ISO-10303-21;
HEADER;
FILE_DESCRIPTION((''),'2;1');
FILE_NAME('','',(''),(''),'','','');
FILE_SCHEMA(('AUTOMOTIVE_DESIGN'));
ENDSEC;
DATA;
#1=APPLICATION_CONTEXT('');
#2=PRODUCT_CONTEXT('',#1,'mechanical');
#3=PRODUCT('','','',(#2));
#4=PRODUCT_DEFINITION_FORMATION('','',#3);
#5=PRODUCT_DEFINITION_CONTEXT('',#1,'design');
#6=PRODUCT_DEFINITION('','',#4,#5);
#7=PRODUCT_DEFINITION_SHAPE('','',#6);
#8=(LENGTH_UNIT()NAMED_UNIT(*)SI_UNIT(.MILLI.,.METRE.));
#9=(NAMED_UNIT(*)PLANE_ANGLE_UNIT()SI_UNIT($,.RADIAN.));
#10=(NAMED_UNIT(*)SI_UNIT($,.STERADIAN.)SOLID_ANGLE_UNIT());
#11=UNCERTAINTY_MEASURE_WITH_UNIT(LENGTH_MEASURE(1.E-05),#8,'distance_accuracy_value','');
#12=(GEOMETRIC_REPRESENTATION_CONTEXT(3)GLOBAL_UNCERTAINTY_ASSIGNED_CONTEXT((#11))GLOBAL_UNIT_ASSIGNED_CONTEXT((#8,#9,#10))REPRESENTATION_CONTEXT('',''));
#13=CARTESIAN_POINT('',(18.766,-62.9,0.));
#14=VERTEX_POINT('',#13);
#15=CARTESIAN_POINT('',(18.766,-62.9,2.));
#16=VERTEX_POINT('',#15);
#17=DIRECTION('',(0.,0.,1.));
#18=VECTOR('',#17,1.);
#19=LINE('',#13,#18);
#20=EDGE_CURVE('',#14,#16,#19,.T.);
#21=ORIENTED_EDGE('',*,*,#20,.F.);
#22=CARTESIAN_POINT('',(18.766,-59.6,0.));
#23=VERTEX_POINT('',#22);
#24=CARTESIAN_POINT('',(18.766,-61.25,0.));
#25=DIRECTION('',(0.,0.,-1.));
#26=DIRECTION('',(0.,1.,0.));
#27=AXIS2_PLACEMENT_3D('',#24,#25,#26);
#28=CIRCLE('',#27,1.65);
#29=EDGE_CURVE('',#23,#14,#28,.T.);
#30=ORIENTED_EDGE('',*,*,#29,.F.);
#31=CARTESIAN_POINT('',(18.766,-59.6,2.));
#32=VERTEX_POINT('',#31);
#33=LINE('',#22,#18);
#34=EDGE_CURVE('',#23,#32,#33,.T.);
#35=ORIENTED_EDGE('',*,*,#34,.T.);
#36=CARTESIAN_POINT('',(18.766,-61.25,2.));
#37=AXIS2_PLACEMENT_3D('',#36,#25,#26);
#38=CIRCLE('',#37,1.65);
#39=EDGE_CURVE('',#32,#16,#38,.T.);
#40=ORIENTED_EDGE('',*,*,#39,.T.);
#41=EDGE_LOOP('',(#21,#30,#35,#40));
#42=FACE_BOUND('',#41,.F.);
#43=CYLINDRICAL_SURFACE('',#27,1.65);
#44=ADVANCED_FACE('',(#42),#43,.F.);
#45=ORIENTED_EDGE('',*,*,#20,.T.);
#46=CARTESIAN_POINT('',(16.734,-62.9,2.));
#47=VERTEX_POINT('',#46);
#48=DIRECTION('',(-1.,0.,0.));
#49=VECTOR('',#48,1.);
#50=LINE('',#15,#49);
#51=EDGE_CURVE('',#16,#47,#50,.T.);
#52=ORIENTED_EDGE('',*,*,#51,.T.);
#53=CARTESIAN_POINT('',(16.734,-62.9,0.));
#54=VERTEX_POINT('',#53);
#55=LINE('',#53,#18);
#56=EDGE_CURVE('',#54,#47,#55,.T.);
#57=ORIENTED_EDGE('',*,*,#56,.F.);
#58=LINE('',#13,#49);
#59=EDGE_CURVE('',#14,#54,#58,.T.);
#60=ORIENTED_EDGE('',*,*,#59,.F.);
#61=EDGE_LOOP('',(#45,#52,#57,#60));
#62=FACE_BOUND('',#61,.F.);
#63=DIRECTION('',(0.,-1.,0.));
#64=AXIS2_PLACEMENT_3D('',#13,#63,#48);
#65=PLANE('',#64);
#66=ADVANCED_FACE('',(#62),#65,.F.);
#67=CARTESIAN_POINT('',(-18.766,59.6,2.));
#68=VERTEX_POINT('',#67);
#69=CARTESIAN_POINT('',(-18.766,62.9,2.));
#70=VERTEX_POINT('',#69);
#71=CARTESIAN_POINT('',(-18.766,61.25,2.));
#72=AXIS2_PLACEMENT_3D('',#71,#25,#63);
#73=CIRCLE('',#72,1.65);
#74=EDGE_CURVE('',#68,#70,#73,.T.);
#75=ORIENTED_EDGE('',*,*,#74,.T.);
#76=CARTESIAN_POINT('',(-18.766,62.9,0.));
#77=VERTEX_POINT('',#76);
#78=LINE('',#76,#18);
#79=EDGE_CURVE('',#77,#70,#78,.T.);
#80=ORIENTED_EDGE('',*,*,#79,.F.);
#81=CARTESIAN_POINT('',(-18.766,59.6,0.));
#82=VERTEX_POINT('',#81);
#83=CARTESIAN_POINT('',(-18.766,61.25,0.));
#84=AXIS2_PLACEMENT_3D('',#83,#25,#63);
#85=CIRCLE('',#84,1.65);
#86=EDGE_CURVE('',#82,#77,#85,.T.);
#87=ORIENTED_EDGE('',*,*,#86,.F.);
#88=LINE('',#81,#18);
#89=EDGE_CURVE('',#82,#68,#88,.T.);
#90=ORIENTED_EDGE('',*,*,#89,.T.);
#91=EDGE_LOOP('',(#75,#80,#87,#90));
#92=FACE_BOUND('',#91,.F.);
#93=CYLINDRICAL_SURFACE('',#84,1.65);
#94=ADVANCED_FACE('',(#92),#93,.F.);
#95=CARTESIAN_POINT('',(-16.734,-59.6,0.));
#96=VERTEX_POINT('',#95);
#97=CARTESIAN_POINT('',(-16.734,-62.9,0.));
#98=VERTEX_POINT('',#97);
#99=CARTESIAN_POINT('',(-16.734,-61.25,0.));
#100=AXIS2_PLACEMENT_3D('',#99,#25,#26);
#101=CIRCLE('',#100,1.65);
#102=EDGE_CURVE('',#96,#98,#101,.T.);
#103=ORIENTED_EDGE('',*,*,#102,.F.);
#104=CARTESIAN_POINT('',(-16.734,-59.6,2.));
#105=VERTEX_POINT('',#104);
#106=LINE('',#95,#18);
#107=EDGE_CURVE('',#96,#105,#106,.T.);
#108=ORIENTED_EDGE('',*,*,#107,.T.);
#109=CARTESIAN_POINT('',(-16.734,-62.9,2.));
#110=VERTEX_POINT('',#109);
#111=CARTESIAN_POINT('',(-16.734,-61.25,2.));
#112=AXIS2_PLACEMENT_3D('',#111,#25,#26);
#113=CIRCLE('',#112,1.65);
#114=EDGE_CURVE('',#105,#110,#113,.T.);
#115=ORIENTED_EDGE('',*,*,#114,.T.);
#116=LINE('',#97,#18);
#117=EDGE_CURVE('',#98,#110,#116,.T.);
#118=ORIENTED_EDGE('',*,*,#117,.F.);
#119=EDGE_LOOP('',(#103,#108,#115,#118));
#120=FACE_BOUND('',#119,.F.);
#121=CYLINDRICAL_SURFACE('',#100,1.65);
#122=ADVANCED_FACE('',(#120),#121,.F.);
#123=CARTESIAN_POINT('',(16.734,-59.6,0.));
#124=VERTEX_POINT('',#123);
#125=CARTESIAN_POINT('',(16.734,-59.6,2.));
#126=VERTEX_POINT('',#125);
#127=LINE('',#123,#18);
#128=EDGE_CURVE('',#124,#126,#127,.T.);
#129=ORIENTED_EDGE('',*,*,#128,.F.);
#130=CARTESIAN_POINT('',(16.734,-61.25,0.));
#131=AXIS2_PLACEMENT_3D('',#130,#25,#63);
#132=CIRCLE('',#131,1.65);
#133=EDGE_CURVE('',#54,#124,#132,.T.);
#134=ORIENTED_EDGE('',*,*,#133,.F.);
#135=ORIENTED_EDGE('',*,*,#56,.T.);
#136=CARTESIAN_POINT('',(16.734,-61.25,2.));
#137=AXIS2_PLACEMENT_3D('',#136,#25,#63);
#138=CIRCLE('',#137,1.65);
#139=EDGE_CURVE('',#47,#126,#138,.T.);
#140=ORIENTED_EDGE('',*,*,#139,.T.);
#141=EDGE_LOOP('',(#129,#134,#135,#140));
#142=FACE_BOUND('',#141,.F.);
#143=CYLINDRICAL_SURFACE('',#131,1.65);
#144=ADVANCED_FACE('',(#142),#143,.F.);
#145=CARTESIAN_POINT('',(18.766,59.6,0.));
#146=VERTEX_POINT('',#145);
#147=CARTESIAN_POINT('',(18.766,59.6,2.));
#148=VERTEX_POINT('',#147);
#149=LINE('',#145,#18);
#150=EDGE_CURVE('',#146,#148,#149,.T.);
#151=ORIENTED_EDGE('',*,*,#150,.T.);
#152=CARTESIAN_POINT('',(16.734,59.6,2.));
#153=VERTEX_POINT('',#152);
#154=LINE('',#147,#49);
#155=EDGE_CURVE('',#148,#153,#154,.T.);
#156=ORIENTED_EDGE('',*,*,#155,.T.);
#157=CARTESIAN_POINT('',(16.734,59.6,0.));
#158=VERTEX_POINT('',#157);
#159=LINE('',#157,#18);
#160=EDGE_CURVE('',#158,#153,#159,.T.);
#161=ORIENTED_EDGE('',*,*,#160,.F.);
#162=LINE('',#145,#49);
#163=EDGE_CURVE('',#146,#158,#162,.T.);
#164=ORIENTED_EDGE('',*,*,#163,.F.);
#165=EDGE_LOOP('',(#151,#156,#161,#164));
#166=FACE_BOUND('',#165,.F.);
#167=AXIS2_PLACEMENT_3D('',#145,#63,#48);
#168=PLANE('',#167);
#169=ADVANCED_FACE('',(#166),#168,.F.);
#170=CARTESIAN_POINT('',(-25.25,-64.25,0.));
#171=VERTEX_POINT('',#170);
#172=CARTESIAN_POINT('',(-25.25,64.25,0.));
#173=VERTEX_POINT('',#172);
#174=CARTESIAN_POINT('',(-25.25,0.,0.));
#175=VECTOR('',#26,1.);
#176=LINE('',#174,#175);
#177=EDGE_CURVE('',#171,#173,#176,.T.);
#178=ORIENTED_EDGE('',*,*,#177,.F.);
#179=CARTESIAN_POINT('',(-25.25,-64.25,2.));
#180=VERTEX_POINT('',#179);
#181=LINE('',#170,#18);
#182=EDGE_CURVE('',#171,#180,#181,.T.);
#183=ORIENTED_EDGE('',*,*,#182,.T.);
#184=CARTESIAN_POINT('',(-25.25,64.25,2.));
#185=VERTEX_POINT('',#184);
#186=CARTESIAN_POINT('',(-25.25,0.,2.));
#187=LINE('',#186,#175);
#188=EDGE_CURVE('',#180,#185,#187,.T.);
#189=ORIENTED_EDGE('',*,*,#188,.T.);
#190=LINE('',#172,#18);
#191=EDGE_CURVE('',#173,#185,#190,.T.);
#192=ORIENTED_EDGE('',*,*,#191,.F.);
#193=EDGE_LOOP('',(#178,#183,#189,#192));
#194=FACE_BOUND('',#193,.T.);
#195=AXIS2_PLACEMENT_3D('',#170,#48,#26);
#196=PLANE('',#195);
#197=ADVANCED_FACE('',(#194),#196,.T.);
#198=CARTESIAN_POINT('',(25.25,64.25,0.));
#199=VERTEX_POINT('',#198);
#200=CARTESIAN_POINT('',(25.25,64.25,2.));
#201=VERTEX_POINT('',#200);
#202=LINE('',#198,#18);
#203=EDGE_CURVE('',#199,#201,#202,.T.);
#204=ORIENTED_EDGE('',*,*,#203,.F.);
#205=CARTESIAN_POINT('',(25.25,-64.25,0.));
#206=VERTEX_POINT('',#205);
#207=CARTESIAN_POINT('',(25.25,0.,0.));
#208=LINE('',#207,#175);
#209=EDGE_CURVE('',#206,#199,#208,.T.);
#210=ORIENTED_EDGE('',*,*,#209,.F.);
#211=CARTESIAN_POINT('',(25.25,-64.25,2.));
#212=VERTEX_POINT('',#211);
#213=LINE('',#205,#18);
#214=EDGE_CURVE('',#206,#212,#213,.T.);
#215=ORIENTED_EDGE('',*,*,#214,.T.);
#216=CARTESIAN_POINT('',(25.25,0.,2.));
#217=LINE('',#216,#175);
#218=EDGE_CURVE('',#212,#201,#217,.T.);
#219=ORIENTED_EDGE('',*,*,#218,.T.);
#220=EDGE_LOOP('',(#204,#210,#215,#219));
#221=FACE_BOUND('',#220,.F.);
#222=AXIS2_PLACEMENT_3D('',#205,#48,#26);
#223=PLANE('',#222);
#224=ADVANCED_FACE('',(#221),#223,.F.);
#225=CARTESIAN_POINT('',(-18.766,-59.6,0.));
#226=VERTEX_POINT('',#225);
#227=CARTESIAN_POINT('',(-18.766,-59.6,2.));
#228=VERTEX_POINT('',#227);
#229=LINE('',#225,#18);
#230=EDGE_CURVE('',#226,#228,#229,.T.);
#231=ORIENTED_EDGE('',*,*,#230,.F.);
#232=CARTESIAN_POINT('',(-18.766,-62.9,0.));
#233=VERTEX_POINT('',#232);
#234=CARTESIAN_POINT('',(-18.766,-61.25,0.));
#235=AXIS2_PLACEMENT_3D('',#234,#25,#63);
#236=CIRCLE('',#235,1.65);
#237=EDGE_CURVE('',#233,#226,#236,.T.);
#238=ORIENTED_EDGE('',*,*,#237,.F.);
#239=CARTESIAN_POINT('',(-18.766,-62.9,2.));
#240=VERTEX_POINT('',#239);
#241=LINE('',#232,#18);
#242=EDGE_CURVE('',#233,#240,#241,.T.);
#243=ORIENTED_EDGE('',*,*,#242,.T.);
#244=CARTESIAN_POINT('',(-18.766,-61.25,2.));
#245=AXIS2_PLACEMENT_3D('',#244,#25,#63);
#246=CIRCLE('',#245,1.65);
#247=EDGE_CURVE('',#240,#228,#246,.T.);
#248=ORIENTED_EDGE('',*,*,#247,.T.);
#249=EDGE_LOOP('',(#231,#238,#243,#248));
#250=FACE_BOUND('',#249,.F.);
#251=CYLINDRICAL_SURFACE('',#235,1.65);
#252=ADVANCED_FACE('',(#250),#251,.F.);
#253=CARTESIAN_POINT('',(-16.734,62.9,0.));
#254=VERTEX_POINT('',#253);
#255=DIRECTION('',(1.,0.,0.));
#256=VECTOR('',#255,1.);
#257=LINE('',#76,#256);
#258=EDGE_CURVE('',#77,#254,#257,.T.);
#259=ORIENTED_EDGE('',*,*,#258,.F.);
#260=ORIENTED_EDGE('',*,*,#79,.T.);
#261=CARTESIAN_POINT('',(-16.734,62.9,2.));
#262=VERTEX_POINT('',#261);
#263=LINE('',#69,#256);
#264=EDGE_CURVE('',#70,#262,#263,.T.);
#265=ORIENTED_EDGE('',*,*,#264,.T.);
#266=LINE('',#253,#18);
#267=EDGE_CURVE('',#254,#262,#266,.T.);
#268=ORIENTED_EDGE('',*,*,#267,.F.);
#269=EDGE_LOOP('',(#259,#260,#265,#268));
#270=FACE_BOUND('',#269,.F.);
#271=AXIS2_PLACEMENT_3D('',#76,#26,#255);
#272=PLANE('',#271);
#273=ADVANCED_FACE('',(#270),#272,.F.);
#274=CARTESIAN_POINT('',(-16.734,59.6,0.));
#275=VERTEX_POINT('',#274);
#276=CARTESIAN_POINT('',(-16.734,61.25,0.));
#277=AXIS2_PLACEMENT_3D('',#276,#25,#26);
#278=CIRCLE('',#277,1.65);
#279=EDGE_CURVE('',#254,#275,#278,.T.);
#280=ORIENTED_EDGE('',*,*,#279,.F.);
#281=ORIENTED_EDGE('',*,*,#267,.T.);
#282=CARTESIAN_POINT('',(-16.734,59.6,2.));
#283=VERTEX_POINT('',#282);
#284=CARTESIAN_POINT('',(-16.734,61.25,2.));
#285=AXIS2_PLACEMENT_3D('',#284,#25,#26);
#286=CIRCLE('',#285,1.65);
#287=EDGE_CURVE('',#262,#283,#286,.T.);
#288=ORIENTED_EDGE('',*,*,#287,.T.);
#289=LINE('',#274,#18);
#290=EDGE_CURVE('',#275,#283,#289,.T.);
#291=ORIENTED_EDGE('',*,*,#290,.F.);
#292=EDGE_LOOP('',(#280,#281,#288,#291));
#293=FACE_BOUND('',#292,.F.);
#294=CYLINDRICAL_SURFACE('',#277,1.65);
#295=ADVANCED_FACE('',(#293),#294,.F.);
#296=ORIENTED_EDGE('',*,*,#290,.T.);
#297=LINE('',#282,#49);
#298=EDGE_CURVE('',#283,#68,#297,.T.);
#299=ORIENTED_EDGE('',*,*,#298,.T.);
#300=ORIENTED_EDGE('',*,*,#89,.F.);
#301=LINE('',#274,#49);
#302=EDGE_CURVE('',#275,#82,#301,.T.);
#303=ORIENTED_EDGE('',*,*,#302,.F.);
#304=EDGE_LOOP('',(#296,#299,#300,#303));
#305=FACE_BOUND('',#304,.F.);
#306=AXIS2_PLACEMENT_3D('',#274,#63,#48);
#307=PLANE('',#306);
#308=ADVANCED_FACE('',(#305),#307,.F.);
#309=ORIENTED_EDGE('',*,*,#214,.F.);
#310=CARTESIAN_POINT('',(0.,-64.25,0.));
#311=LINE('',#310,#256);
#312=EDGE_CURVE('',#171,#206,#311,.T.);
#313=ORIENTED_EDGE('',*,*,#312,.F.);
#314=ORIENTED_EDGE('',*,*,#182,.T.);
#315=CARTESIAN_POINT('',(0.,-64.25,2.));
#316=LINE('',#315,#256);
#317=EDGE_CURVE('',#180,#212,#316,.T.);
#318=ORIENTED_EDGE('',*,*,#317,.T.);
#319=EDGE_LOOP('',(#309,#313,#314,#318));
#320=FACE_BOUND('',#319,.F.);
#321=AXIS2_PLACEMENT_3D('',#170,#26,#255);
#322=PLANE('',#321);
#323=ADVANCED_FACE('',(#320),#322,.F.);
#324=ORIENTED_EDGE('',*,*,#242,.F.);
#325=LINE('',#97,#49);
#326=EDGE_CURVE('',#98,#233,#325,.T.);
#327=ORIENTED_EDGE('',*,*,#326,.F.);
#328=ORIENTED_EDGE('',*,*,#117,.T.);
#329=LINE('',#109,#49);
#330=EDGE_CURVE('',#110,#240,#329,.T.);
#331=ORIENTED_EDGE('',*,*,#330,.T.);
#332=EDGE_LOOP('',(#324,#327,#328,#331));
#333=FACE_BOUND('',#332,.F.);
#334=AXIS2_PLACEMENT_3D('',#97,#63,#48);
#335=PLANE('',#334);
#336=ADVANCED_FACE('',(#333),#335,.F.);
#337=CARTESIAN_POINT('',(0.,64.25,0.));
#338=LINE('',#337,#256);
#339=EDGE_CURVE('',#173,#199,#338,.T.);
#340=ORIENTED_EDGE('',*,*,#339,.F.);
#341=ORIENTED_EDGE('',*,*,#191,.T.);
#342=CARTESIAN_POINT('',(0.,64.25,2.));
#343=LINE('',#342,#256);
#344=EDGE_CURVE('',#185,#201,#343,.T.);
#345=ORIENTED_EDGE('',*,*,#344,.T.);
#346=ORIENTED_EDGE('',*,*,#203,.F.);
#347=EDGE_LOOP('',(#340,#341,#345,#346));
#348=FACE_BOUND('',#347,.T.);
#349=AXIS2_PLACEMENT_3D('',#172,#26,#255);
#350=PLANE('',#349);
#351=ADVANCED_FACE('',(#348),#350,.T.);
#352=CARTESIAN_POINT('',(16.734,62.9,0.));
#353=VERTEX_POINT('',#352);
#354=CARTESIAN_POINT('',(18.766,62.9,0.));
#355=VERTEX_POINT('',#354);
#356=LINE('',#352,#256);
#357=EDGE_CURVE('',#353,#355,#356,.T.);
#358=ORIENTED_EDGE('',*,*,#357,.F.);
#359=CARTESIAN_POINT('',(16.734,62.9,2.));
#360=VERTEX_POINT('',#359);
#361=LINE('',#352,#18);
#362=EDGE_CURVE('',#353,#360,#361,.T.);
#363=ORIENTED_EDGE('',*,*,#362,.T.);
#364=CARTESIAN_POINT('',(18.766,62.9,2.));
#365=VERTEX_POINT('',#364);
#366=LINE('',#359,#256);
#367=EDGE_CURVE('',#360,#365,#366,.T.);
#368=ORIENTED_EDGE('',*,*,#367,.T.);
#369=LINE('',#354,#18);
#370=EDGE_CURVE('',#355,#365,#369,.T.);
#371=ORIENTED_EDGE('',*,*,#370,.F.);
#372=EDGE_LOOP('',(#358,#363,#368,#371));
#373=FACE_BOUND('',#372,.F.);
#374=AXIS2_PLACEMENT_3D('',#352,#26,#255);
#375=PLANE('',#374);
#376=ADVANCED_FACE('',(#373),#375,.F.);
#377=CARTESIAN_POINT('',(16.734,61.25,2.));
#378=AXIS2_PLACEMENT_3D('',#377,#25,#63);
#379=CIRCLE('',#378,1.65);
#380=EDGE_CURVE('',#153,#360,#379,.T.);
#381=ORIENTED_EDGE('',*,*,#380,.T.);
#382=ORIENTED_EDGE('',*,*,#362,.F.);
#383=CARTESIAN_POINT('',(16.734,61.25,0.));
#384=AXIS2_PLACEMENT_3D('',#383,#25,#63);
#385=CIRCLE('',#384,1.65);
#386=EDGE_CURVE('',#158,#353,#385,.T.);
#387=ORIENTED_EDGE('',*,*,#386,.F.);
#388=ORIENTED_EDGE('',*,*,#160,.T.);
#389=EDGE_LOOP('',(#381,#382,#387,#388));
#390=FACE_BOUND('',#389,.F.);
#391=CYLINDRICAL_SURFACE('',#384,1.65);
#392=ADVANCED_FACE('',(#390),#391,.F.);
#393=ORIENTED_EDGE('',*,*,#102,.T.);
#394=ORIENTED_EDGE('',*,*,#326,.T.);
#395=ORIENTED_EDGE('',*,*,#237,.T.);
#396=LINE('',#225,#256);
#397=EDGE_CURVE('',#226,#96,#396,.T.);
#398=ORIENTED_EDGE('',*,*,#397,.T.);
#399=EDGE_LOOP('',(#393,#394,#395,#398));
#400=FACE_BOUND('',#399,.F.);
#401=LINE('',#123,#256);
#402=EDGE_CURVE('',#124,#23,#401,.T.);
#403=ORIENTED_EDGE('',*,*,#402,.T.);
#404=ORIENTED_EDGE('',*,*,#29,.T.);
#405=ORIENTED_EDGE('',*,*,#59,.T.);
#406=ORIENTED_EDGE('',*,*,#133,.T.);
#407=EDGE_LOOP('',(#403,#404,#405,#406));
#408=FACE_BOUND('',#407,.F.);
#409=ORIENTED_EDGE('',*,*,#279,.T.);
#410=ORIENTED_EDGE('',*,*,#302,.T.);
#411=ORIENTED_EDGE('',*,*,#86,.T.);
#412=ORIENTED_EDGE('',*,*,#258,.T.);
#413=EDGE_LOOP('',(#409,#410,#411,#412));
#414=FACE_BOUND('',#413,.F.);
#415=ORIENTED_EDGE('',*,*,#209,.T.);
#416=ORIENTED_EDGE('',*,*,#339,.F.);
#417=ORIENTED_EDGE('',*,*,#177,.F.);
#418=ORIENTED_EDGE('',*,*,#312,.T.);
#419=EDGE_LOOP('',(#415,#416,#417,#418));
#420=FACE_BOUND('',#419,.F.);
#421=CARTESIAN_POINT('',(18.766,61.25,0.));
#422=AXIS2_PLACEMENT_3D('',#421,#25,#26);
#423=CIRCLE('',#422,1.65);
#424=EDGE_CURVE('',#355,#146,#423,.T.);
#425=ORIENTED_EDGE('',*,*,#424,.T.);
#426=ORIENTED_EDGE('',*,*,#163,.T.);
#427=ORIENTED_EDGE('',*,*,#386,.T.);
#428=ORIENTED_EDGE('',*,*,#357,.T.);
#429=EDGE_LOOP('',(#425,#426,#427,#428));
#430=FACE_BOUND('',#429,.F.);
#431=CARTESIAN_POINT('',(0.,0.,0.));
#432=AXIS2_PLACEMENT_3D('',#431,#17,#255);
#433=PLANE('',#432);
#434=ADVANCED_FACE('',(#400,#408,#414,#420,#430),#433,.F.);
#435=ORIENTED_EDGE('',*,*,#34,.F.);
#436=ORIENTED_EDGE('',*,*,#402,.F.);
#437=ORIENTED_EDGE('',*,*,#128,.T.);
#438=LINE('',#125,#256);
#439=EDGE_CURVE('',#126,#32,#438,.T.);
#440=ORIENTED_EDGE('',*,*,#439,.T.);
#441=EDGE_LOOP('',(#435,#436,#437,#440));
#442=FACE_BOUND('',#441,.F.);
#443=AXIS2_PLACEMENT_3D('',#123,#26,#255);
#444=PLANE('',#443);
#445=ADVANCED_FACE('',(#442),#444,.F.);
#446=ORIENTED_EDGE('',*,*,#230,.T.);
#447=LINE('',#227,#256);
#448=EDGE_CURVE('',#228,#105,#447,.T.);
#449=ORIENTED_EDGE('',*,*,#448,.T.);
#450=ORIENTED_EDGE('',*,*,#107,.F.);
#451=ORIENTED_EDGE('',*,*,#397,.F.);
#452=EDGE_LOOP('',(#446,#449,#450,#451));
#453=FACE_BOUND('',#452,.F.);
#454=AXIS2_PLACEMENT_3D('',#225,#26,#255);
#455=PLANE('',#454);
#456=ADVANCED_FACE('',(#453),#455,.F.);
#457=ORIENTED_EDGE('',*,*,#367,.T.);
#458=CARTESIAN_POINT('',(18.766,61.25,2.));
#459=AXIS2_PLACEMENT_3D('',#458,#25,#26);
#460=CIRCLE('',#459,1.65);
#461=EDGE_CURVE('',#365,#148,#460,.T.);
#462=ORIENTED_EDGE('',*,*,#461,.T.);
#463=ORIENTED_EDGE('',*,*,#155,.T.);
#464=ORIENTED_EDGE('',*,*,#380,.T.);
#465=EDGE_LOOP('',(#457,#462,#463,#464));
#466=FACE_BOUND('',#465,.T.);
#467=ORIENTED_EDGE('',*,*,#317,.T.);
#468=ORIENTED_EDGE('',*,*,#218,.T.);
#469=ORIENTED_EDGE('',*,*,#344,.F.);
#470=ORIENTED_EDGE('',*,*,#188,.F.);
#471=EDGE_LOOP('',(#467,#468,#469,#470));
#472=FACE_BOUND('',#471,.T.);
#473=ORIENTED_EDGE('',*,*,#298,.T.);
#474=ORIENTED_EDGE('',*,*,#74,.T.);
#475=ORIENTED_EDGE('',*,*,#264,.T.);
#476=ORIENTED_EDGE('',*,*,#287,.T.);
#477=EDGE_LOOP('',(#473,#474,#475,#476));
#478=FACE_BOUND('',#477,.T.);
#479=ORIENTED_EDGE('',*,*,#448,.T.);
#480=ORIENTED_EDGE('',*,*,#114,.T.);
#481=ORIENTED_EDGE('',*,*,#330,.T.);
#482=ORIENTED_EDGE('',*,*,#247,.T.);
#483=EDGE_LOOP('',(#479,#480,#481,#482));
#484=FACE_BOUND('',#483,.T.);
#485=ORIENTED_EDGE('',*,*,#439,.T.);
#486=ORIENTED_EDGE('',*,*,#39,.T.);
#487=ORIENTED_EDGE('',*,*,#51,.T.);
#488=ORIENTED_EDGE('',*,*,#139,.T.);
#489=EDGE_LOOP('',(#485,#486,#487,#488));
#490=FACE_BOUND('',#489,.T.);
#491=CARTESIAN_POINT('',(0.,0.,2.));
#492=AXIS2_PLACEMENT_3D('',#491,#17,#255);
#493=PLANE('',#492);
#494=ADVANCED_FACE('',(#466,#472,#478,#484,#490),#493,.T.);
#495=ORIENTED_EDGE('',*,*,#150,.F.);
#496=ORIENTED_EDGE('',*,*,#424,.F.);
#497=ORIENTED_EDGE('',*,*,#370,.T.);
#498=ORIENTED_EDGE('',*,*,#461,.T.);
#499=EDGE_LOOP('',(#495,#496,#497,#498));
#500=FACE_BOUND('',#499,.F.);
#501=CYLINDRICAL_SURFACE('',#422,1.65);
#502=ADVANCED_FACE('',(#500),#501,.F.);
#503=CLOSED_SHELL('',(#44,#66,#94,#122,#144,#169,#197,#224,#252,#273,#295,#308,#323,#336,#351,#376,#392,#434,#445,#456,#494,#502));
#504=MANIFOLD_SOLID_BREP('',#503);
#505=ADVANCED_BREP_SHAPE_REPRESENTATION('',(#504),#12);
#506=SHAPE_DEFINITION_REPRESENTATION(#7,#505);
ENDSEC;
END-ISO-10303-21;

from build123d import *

# Parameters (mm, degrees)
SKETCH1_W           = 50.5
SKETCH1_H           = 128.5
BOSS_EXTRUDE1_DEPTH = 2


with BuildPart() as part:
    # Sketch1 → Boss-Extrude1 (new body)
    with BuildSketch(Plane.XY):
        Rectangle(SKETCH1_W, SKETCH1_H)
        with BuildLine():
            Line((-18.766, -59.6), (-16.734, -59.6))
            ThreePointArc((-16.734, -59.6), (-15.084, -61.25), (-16.734, -62.9))
            Line((-16.734, -62.9), (-18.766, -62.9))
            ThreePointArc((-18.766, -62.9), (-20.416, -61.25), (-18.766, -59.6))
        make_face(mode=Mode.SUBTRACT)
        with BuildLine():
            Line((-18.766, 62.9), (-16.734, 62.9))
            ThreePointArc((-16.734, 62.9), (-15.084, 61.25), (-16.734, 59.6))
            Line((-16.734, 59.6), (-18.766, 59.6))
            ThreePointArc((-18.766, 59.6), (-20.416, 61.25), (-18.766, 62.9))
        make_face(mode=Mode.SUBTRACT)
        with BuildLine():
            Line((16.734000014, 62.9), (18.766000014, 62.9))
            ThreePointArc((18.766000014, 62.9), (20.416000014, 61.25), (18.766000014, 59.6))
            Line((18.766000014, 59.6), (16.734000014, 59.6))
            ThreePointArc((16.734000014, 59.6), (15.084000014, 61.25), (16.734000014, 62.9))
        make_face(mode=Mode.SUBTRACT)
        with BuildLine():
            Line((16.734000014, -59.6), (18.766000014, -59.6))
            ThreePointArc((18.766000014, -59.6), (20.416000014, -61.25), (18.766000014, -62.9))
            Line((18.766000014, -62.9), (16.734000014, -62.9))
            ThreePointArc((16.734000014, -62.9), (15.084000014, -61.25), (16.734000014, -59.6))
        make_face(mode=Mode.SUBTRACT)
    extrude(amount=BOSS_EXTRUDE1_DEPTH)


solid = part.part
